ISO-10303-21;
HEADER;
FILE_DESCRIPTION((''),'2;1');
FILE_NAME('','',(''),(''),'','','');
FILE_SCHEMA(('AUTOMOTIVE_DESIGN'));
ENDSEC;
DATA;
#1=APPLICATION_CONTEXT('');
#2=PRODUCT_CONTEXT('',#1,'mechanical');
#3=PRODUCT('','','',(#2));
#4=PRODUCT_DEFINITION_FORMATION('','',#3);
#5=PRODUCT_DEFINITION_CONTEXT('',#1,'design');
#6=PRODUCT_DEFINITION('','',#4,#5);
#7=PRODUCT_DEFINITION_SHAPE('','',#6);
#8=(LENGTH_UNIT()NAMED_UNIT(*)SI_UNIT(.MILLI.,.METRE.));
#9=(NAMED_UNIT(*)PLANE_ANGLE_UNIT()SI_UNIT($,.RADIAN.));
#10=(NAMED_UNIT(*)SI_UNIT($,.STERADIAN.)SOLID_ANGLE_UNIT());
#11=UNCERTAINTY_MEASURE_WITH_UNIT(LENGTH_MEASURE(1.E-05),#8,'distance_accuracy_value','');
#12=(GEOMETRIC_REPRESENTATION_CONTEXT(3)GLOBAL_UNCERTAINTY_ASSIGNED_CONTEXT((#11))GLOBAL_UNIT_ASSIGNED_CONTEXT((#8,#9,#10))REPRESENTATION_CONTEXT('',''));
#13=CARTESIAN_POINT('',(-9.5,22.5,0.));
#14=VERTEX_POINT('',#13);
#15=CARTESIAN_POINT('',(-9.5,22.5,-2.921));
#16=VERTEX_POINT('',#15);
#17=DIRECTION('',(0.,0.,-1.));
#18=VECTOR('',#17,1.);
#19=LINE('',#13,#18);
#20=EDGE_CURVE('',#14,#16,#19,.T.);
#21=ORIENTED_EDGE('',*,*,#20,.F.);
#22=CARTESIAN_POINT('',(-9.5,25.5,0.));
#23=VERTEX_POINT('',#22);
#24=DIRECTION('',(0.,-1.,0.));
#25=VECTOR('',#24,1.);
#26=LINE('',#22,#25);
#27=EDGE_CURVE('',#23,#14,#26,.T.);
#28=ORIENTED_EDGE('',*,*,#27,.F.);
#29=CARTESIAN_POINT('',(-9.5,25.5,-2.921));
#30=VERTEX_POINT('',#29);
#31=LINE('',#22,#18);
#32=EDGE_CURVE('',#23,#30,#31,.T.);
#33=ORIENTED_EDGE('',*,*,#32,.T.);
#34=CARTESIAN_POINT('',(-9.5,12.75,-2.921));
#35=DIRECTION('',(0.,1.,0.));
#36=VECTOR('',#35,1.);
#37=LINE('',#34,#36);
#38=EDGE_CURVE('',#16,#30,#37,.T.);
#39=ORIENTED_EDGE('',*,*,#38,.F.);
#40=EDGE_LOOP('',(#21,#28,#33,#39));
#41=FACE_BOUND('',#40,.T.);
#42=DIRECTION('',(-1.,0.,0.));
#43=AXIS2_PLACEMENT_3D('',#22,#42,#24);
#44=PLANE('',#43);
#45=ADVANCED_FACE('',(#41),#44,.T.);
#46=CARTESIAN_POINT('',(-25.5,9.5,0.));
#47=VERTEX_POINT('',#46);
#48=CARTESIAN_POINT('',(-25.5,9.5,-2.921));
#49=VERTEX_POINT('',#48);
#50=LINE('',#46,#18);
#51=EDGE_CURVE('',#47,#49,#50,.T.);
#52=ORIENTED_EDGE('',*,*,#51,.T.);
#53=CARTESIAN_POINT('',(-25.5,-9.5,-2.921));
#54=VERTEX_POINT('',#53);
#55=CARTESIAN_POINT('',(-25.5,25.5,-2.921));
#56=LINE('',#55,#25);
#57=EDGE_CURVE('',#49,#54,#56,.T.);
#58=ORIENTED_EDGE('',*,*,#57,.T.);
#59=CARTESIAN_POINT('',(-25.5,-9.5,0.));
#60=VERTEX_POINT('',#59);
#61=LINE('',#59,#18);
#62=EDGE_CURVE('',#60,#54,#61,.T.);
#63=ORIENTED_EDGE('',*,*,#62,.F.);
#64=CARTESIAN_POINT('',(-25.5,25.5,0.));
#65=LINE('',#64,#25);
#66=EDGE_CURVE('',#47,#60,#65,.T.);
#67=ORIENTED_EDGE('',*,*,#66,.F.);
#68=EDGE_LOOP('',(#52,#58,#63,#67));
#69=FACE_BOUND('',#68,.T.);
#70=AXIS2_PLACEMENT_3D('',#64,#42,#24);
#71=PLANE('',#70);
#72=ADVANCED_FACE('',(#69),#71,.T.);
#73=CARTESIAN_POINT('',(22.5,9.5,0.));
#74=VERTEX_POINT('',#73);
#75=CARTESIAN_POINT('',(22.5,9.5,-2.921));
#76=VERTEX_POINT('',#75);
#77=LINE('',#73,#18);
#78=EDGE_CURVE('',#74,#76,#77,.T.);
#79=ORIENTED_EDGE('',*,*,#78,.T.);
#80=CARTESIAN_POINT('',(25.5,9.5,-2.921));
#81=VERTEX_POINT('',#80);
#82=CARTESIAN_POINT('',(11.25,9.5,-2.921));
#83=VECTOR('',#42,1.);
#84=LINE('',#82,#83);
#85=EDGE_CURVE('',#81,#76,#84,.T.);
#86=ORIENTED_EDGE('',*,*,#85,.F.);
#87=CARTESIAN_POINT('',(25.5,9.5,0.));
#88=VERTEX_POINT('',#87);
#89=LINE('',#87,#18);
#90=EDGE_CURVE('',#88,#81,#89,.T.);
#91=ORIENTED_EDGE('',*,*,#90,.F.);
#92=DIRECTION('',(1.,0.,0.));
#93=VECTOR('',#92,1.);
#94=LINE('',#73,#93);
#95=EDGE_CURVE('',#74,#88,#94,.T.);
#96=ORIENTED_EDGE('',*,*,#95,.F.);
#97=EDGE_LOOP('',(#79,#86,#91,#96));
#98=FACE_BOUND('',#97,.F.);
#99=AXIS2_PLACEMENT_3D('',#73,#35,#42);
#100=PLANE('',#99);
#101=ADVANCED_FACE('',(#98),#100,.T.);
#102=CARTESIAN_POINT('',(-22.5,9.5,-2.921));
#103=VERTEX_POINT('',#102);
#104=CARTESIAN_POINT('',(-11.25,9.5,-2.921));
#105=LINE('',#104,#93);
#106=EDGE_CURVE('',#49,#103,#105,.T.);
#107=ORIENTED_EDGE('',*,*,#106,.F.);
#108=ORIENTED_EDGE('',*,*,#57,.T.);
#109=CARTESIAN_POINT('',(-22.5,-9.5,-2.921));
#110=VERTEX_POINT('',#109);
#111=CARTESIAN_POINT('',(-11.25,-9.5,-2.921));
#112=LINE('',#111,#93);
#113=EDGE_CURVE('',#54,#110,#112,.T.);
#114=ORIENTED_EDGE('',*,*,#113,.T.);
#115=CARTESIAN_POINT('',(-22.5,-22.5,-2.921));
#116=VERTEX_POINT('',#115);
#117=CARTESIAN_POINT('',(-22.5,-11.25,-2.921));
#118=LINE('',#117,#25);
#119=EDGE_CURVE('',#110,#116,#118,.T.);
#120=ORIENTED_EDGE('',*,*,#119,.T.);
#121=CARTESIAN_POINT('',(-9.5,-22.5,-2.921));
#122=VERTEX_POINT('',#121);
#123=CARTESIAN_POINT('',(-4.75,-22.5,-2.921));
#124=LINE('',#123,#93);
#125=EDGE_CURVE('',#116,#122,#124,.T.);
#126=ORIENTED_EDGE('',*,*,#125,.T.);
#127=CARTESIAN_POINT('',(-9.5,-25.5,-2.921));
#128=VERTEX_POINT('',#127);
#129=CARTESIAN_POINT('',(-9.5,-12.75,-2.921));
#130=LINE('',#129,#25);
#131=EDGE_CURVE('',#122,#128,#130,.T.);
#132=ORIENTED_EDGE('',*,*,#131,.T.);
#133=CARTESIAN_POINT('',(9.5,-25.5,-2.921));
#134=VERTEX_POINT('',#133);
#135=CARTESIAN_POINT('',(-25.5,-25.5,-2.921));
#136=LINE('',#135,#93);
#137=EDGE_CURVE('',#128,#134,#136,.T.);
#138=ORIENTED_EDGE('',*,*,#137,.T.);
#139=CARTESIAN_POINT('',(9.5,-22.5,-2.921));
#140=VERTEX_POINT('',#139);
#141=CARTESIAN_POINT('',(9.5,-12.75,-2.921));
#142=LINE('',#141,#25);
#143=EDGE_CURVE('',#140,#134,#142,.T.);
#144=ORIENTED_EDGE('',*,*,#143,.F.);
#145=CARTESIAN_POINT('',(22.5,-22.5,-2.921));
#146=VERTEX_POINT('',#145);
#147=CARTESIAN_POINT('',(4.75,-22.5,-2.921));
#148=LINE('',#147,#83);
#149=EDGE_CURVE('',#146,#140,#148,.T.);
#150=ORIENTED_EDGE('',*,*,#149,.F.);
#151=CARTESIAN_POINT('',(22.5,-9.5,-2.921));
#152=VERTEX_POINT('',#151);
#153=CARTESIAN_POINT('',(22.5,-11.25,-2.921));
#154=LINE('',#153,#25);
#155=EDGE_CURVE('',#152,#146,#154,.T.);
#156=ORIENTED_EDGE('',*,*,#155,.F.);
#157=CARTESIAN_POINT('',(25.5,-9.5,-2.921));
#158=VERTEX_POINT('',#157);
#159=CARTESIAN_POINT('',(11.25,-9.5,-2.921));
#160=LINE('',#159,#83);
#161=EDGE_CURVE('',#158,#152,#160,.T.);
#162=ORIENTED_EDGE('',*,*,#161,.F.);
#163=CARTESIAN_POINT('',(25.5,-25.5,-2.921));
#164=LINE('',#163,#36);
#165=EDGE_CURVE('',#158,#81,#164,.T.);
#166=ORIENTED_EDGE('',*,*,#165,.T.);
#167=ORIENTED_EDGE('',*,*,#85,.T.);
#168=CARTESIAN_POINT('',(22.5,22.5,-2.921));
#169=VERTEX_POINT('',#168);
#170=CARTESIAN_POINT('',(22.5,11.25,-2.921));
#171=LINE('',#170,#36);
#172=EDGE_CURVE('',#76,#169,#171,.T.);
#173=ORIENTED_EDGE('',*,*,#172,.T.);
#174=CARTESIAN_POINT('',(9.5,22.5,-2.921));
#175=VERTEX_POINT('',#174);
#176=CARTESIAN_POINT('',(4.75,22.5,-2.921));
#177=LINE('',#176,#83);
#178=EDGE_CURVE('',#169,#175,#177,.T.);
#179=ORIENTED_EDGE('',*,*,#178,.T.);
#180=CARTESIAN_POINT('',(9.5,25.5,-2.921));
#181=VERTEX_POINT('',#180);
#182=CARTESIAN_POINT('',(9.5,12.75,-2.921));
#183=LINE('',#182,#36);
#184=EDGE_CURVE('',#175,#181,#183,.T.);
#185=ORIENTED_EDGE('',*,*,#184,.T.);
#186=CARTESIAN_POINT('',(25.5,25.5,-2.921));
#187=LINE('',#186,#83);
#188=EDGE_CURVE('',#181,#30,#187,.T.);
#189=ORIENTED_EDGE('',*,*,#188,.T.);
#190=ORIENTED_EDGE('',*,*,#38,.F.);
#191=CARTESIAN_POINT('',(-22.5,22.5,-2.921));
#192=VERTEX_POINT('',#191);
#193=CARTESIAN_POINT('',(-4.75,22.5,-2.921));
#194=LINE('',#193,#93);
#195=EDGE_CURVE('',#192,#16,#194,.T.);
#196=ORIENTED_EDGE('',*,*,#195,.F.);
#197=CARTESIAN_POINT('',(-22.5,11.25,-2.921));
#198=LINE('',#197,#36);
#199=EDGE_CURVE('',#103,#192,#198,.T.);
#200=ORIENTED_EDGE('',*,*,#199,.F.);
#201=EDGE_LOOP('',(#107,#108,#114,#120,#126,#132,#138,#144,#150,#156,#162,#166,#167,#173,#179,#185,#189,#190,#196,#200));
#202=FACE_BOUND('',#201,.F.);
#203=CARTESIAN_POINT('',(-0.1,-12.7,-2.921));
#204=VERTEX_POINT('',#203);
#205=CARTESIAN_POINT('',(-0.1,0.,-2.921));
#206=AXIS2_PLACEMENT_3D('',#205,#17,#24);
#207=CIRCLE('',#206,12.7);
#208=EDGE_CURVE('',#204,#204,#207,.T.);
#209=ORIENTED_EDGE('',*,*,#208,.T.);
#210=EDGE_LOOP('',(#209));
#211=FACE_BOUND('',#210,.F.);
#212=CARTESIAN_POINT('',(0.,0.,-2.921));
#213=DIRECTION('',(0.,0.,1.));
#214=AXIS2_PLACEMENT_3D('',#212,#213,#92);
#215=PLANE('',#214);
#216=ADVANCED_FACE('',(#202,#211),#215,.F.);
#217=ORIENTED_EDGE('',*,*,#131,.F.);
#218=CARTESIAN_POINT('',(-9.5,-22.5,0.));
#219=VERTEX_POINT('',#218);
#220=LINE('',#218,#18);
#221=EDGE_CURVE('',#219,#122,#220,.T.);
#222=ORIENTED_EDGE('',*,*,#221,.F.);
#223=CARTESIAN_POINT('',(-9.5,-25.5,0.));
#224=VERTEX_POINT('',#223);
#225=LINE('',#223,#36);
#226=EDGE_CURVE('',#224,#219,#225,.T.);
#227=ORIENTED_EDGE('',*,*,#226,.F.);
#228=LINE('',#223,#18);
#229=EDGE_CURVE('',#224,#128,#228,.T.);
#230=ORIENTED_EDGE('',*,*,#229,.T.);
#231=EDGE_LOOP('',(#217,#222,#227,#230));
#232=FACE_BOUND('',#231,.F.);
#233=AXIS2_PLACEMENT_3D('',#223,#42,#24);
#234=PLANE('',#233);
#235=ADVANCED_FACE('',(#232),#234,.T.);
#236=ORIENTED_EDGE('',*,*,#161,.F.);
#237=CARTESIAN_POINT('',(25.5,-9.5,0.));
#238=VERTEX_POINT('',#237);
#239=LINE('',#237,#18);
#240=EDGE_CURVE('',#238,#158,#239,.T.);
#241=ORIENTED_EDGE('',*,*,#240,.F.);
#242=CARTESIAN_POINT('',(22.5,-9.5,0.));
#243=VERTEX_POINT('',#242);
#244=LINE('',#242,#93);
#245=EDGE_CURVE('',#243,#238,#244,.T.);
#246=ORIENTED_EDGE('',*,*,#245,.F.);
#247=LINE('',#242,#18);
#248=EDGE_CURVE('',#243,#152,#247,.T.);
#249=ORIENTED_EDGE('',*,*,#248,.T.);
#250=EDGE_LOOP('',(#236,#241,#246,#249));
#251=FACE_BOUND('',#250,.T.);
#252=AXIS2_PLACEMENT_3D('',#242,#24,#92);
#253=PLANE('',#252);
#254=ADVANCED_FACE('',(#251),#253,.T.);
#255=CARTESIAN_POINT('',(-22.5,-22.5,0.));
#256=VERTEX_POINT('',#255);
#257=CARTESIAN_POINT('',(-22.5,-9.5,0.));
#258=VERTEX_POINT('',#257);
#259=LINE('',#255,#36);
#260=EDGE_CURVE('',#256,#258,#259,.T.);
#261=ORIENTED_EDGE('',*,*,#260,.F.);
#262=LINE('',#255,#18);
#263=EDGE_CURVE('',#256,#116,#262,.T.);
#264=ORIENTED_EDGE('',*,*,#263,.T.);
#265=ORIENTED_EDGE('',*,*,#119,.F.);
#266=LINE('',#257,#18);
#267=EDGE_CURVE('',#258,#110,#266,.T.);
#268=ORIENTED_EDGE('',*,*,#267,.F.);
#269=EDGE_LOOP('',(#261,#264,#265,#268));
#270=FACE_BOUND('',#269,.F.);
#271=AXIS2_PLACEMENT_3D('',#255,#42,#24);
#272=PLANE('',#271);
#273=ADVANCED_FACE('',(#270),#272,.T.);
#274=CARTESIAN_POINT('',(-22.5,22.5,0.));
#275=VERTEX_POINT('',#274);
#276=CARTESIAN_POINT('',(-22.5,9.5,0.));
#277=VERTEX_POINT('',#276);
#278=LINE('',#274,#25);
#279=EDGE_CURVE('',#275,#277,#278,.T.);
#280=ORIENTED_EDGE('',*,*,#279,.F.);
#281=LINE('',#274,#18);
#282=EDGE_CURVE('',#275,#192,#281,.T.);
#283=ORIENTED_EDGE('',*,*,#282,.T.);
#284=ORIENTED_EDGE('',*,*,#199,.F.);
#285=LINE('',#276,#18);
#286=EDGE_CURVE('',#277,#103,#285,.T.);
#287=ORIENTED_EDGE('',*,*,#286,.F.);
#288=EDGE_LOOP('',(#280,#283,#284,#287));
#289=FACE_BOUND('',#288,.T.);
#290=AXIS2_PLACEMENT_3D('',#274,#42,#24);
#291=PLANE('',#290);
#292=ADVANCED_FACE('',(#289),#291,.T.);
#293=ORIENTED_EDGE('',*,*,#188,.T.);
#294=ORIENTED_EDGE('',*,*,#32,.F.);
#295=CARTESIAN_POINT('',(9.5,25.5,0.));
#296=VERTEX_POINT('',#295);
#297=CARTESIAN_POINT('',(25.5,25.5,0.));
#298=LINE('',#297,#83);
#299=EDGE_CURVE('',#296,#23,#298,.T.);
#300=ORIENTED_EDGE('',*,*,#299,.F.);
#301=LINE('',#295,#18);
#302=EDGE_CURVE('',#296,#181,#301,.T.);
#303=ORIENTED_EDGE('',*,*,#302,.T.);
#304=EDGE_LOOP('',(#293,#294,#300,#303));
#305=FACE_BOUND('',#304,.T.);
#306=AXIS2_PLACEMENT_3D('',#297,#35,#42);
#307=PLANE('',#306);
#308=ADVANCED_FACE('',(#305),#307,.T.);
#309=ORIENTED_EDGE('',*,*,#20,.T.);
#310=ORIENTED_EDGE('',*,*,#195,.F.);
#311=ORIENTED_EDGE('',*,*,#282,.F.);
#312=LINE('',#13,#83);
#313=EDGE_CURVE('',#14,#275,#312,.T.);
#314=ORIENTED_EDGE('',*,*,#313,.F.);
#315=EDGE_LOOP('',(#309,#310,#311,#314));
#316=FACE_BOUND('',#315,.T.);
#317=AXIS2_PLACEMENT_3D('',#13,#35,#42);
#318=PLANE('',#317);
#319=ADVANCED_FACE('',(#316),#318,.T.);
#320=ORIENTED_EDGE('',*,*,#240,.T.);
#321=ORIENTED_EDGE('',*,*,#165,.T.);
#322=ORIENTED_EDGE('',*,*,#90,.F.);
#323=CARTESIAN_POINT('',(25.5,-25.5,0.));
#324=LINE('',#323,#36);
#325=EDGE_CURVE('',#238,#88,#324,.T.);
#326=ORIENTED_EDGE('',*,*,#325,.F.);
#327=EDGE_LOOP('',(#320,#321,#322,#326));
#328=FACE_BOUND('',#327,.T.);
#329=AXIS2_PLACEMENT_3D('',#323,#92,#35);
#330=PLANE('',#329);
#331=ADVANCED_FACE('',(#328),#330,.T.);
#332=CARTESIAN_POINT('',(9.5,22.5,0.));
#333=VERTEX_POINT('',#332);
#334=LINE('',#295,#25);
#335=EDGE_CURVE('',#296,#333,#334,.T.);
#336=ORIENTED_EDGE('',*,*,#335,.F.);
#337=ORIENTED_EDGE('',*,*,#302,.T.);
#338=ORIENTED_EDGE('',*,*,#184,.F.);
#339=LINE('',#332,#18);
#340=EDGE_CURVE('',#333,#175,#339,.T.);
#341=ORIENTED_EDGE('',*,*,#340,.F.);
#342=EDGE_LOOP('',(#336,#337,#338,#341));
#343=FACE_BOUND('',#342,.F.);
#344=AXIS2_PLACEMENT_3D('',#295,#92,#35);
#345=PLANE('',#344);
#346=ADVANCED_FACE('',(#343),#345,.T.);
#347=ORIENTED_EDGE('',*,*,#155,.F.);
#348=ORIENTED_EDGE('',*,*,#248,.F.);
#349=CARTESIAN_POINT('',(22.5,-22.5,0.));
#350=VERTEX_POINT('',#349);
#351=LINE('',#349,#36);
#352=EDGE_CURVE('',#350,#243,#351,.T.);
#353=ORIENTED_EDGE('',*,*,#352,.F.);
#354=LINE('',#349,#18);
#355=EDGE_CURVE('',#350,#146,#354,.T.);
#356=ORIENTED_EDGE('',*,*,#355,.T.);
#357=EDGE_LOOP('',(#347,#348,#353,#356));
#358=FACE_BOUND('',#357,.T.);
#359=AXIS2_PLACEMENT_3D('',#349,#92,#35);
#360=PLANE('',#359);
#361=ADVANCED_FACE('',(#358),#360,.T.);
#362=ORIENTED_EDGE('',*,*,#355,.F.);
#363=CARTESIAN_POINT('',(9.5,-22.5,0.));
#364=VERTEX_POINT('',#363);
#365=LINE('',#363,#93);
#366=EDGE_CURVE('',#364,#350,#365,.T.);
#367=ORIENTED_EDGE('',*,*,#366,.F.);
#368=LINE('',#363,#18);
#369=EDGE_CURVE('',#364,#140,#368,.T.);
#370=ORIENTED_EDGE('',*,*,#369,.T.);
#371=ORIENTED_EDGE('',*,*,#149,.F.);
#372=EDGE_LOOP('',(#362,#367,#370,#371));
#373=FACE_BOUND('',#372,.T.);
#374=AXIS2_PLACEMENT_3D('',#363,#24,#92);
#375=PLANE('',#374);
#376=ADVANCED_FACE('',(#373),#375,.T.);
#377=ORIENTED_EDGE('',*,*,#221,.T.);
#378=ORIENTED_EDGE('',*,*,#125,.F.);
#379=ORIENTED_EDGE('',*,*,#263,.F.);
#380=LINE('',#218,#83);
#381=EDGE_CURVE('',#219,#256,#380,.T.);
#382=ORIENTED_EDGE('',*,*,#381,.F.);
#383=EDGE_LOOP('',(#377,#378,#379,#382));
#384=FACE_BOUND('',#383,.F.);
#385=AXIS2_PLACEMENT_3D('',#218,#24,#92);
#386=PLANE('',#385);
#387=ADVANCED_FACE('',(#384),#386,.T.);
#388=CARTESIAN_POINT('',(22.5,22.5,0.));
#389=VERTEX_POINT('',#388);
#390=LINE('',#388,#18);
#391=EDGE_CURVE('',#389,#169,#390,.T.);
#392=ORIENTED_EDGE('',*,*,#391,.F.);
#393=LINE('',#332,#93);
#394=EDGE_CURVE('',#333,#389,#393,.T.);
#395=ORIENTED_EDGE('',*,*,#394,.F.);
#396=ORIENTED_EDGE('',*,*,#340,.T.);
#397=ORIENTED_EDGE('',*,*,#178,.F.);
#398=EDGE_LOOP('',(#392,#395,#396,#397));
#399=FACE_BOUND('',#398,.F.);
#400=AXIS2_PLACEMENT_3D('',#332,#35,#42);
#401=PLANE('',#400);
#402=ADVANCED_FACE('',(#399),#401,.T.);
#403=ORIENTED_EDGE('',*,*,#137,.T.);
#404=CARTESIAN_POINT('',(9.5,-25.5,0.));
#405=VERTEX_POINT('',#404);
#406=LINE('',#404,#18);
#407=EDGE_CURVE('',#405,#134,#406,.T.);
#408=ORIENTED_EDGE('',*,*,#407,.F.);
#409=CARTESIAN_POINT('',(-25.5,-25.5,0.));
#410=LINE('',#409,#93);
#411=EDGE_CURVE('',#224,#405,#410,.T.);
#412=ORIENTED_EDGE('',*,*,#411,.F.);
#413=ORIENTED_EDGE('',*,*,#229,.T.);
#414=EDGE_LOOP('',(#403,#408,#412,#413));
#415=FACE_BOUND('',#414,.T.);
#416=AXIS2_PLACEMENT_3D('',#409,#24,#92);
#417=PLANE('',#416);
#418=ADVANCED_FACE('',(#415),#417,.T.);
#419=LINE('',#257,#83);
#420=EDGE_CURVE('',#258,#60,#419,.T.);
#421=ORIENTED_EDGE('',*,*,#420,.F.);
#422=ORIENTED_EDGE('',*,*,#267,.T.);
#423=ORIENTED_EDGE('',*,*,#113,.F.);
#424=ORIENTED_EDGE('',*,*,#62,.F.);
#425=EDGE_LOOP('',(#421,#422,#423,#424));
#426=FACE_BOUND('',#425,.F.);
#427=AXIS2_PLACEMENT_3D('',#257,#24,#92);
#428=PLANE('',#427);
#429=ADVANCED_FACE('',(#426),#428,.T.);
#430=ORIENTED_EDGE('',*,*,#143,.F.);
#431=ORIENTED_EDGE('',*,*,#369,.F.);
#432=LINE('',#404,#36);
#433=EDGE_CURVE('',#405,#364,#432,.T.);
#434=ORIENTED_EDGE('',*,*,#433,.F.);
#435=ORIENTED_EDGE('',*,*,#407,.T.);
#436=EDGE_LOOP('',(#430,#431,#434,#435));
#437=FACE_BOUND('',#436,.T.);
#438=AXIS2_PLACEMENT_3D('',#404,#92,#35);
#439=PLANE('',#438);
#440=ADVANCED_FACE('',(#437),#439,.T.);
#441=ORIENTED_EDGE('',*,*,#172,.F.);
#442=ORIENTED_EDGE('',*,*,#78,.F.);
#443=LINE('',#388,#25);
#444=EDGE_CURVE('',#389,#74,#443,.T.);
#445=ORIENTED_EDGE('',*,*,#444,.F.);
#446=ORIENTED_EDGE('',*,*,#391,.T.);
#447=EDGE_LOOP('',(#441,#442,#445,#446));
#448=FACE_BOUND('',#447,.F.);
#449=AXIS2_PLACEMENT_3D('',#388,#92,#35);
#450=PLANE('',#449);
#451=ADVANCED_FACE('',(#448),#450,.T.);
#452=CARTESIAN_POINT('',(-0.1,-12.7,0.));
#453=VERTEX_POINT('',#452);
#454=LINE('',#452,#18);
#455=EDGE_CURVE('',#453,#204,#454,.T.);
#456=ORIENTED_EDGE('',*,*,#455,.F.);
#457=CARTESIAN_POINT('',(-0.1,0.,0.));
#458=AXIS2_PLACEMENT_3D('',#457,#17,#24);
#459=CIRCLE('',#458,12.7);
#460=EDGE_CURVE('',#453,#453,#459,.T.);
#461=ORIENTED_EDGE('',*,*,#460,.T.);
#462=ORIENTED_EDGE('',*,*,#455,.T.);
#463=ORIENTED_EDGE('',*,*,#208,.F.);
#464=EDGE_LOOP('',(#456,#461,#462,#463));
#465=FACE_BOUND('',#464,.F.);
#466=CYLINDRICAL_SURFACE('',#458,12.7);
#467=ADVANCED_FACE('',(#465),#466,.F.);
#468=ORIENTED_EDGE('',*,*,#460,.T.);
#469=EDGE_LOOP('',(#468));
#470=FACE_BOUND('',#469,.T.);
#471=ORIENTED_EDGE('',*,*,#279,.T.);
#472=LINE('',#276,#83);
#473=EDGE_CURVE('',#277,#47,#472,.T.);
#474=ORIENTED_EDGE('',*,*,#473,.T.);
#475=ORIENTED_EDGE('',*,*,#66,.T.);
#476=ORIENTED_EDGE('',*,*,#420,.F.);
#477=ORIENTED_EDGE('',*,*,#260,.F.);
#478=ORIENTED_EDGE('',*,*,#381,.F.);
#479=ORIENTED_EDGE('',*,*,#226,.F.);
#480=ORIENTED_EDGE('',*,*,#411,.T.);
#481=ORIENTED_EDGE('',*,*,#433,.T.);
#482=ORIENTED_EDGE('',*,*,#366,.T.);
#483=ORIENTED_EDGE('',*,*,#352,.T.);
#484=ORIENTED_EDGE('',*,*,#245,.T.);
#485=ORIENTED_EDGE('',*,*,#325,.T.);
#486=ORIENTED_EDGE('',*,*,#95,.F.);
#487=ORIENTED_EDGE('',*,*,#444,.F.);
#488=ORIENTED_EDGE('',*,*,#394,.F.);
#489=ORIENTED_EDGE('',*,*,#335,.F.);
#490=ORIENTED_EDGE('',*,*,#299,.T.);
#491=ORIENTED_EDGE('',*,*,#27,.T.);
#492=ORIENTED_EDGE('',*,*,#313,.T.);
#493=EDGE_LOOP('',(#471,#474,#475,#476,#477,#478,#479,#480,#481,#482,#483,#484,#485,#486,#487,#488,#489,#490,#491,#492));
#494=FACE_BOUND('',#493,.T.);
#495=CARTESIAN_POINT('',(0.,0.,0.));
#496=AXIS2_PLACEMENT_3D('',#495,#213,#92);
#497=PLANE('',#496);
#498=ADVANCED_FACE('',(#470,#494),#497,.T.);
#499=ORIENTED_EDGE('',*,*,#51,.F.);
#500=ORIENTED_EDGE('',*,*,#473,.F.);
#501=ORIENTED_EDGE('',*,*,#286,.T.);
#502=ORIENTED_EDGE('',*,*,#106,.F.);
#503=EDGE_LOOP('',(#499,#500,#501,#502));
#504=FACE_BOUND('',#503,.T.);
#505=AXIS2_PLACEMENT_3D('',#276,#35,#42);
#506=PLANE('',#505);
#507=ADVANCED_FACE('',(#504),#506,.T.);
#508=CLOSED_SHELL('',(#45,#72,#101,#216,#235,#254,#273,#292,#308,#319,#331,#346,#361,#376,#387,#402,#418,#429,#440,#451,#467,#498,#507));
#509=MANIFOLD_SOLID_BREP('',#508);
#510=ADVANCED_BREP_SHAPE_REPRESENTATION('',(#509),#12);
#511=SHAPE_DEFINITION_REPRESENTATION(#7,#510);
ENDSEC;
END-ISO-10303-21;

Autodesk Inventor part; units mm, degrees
ref_plane "XY Plane" through (0, 0, 0) normal (0, 0, 1) x (1, 0, 0)
sketch "Sketch1" plane through (0, 0, 0) normal (0, 0, 1) x (1, 0, 0)
  line L0 (-25.5, -25.5) -> (25.5, -25.5)
  line L1 (25.5, -25.5) -> (25.5, 25.5)
  line L2 (25.5, 25.5) -> (-25.5, 25.5)
  line L3 (-25.5, 25.5) -> (-25.5, -25.5)
  line L4 (-25.5, -25.5) -> (25.5, 25.5) construction
  line L5 (25.5, -25.5) -> (-25.5, 25.5) construction
  point P0 (0, 0)
  dimension "d0" = 51
  dimension "d1" = 51
extrude "Extrusion1" add sketch "Sketch1" against normal blind 2.921
sketch "Sketch2" plane through (0, 0, 0) normal (0, 0, 1) x (1, 0, 0)
  line L0 (-25.5, 25.5) -> (-9.5, 25.5)
  line L1 (-9.5, 25.5) -> (-9.5, 22.5)
  line L2 (-9.5, 22.5) -> (-22.5, 22.5)
  line L3 (-25.5, 22.4108) -> (-25.5, 25.5)
  line L4 (-25.5, 25.5) -> (-22.225, 25.5)
  line L5 (-22.5, 22.5) -> (-22.5, 9.5)
  line L6 (-22.5, 9.5) -> (-25.5, 9.5)
  line L7 (-25.5, 9.5) -> (-25.5, 25.5)
  line L8 (25.5, 25.5) -> (-25.5, 25.5) projected
  line L9 (-25.5, 25.5) -> (-25.5, -25.5) projected
  dimension "d59" = 3
  dimension "d62" = 3
  dimension "d67" = 16
  dimension "d73" = 16
hole "Hole1" at (-0.1, 0, 0) direction (0, 0, -1) diameter 25.4 end through all
extrude "Extrusion4" cut sketch "Sketch2" against normal up to next
mirror "Mirror1" about plane through (0, 0, 0) normal (1, 0, 0) of "Extrusion4"
mirror "Mirror2" about plane through (0, 0, 0) normal (0, 1, 0) of "Extrusion4", "Mirror1"
equation "\"d1\" = d0"
equation "\"d62\" = d59"
equation "\"d67\" = d73"
equation "\"d53\" = 0.5 * d0"
properties part number "Top"
